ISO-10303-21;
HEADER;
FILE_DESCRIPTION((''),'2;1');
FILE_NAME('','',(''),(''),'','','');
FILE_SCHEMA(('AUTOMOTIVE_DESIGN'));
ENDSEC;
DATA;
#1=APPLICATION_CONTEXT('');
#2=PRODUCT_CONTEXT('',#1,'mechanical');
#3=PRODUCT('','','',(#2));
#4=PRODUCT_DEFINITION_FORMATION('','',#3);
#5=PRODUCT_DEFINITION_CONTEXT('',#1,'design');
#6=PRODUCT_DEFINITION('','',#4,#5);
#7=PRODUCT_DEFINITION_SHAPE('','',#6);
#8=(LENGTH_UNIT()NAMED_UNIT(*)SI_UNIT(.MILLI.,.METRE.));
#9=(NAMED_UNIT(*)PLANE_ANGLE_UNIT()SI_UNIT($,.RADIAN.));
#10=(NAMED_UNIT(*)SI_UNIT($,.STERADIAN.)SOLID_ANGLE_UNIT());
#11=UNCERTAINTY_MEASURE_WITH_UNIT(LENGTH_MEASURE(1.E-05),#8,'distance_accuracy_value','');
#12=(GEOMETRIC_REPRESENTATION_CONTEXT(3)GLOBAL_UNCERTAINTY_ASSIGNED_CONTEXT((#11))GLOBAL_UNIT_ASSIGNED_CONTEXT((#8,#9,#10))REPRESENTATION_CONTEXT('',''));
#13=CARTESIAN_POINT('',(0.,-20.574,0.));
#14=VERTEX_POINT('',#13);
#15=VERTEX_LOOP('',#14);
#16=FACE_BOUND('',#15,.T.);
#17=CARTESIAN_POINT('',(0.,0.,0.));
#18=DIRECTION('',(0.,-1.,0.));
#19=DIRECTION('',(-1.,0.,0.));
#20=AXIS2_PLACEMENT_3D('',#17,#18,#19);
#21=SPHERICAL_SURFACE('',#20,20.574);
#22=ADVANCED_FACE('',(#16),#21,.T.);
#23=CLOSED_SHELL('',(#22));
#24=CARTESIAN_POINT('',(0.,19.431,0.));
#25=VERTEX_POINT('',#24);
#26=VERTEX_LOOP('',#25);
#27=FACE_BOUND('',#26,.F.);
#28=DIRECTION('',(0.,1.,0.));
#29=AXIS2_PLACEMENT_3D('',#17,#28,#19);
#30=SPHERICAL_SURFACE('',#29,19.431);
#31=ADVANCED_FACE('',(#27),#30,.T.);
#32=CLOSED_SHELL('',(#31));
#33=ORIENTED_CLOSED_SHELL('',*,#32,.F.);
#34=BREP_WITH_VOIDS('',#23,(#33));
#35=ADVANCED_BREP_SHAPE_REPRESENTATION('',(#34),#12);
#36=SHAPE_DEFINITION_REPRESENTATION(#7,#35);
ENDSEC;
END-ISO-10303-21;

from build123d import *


with BuildPart() as f1:
    # F0 (on Top) → F1 (revolve)
    with BuildSketch(Plane.XY):
        with BuildLine():
            Line((0, 19.431), (0, 20.574))
            ThreePointArc((0, 20.574), (-20.574, 0), (0, -20.574))
            Line((0, -20.574), (0, -19.431))
            ThreePointArc((0, -19.431), (-19.431, 0), (0, 19.431))
        make_face()
    revolve(axis=Axis((0, 0, 0), (0, -1, 0)))


solid = f1.part
